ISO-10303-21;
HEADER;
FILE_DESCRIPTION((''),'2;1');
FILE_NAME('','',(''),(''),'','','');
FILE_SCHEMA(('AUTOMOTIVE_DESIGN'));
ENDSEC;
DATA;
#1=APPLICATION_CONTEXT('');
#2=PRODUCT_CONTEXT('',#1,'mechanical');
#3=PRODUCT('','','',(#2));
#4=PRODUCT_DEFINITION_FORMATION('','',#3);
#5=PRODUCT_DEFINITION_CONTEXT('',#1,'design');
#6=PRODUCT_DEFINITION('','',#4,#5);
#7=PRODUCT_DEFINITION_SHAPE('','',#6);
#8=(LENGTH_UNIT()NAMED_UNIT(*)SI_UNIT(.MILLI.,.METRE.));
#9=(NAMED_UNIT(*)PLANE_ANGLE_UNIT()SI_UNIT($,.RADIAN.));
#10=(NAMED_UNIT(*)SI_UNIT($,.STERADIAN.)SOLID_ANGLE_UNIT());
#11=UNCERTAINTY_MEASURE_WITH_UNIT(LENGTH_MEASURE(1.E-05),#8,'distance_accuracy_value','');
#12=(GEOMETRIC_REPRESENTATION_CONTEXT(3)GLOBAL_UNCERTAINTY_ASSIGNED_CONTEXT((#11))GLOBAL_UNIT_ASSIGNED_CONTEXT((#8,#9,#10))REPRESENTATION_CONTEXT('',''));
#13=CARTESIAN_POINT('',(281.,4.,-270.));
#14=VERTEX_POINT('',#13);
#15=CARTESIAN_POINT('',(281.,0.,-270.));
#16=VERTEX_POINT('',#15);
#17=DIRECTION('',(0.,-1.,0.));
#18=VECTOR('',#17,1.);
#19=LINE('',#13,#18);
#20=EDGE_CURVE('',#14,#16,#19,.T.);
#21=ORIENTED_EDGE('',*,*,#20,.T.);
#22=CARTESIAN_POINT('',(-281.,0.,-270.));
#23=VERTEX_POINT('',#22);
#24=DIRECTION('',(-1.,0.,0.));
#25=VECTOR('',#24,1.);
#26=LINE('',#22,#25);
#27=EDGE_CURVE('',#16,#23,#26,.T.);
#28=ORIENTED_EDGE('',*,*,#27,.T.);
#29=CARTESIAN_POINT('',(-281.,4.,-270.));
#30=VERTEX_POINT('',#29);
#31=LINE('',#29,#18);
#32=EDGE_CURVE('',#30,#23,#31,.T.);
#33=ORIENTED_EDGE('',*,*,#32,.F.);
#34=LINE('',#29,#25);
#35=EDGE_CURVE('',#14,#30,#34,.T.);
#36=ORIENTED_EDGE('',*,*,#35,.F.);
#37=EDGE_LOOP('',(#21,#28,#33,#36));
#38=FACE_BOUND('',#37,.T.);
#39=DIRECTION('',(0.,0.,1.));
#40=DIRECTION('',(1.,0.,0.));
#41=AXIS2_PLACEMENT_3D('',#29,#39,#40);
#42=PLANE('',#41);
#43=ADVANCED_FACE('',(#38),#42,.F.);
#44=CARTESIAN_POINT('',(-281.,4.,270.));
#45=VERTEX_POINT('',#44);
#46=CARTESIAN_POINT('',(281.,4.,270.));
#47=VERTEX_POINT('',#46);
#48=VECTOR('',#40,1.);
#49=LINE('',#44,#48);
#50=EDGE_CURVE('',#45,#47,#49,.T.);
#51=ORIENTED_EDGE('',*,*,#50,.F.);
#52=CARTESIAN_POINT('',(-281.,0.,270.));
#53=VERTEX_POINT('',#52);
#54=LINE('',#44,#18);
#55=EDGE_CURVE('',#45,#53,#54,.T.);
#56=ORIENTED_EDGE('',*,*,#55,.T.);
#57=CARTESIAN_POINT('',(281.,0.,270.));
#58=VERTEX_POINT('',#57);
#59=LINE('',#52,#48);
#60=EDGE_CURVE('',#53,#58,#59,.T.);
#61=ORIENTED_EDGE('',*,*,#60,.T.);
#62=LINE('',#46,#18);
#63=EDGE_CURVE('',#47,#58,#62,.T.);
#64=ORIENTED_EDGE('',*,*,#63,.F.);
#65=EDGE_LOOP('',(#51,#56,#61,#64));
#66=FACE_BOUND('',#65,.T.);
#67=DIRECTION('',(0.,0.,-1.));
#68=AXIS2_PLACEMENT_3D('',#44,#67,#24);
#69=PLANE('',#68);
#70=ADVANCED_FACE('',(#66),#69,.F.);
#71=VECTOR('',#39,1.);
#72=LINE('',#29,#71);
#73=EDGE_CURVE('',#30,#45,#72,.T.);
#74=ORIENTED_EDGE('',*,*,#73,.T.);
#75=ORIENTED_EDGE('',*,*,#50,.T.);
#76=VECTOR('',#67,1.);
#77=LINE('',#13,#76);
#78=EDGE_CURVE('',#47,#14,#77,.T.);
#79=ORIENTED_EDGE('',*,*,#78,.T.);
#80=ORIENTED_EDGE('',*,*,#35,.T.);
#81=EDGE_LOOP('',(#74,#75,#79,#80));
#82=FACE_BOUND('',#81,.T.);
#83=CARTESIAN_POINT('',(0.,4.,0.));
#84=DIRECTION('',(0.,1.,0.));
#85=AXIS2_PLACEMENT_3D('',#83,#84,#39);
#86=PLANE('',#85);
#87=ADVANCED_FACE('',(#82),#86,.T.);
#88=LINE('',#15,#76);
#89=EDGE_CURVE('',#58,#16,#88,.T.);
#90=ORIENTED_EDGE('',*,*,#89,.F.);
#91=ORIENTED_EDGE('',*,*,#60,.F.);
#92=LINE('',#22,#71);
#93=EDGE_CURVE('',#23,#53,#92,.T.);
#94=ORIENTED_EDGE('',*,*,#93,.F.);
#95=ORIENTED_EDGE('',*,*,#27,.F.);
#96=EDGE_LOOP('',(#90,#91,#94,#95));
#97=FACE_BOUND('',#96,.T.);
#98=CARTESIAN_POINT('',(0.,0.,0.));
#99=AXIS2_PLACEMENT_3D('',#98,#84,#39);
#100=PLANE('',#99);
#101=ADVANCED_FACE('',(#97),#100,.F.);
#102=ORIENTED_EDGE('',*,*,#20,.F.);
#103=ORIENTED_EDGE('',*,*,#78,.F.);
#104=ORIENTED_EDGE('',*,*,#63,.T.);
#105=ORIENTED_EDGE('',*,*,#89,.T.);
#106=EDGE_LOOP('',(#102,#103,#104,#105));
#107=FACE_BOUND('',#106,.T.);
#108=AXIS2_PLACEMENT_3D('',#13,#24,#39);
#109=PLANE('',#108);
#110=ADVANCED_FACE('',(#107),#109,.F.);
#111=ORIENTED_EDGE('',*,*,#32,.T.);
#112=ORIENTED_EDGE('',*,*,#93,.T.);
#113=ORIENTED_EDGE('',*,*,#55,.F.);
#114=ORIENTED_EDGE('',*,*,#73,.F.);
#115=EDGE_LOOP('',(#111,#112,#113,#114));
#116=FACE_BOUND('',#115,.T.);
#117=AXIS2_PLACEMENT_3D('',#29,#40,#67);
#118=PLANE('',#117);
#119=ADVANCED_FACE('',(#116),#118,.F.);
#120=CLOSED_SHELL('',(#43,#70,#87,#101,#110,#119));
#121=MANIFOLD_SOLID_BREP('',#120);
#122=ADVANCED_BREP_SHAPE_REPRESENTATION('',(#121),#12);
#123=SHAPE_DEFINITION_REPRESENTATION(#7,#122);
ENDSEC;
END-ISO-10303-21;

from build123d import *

# Parameters (mm, degrees)
SKETCH1_W           = 562
SKETCH1_H           = 540
BOSS_EXTRUDE1_DEPTH = 4


with BuildPart() as part:
    # Sketch1 → Boss-Extrude1 (new body)
    with BuildSketch(Plane(origin=(0, 0, 0), x_dir=(1, 0, 0), z_dir=(0, 1, 0))):
        Rectangle(SKETCH1_W, SKETCH1_H)
    extrude(amount=BOSS_EXTRUDE1_DEPTH)


solid = part.part
